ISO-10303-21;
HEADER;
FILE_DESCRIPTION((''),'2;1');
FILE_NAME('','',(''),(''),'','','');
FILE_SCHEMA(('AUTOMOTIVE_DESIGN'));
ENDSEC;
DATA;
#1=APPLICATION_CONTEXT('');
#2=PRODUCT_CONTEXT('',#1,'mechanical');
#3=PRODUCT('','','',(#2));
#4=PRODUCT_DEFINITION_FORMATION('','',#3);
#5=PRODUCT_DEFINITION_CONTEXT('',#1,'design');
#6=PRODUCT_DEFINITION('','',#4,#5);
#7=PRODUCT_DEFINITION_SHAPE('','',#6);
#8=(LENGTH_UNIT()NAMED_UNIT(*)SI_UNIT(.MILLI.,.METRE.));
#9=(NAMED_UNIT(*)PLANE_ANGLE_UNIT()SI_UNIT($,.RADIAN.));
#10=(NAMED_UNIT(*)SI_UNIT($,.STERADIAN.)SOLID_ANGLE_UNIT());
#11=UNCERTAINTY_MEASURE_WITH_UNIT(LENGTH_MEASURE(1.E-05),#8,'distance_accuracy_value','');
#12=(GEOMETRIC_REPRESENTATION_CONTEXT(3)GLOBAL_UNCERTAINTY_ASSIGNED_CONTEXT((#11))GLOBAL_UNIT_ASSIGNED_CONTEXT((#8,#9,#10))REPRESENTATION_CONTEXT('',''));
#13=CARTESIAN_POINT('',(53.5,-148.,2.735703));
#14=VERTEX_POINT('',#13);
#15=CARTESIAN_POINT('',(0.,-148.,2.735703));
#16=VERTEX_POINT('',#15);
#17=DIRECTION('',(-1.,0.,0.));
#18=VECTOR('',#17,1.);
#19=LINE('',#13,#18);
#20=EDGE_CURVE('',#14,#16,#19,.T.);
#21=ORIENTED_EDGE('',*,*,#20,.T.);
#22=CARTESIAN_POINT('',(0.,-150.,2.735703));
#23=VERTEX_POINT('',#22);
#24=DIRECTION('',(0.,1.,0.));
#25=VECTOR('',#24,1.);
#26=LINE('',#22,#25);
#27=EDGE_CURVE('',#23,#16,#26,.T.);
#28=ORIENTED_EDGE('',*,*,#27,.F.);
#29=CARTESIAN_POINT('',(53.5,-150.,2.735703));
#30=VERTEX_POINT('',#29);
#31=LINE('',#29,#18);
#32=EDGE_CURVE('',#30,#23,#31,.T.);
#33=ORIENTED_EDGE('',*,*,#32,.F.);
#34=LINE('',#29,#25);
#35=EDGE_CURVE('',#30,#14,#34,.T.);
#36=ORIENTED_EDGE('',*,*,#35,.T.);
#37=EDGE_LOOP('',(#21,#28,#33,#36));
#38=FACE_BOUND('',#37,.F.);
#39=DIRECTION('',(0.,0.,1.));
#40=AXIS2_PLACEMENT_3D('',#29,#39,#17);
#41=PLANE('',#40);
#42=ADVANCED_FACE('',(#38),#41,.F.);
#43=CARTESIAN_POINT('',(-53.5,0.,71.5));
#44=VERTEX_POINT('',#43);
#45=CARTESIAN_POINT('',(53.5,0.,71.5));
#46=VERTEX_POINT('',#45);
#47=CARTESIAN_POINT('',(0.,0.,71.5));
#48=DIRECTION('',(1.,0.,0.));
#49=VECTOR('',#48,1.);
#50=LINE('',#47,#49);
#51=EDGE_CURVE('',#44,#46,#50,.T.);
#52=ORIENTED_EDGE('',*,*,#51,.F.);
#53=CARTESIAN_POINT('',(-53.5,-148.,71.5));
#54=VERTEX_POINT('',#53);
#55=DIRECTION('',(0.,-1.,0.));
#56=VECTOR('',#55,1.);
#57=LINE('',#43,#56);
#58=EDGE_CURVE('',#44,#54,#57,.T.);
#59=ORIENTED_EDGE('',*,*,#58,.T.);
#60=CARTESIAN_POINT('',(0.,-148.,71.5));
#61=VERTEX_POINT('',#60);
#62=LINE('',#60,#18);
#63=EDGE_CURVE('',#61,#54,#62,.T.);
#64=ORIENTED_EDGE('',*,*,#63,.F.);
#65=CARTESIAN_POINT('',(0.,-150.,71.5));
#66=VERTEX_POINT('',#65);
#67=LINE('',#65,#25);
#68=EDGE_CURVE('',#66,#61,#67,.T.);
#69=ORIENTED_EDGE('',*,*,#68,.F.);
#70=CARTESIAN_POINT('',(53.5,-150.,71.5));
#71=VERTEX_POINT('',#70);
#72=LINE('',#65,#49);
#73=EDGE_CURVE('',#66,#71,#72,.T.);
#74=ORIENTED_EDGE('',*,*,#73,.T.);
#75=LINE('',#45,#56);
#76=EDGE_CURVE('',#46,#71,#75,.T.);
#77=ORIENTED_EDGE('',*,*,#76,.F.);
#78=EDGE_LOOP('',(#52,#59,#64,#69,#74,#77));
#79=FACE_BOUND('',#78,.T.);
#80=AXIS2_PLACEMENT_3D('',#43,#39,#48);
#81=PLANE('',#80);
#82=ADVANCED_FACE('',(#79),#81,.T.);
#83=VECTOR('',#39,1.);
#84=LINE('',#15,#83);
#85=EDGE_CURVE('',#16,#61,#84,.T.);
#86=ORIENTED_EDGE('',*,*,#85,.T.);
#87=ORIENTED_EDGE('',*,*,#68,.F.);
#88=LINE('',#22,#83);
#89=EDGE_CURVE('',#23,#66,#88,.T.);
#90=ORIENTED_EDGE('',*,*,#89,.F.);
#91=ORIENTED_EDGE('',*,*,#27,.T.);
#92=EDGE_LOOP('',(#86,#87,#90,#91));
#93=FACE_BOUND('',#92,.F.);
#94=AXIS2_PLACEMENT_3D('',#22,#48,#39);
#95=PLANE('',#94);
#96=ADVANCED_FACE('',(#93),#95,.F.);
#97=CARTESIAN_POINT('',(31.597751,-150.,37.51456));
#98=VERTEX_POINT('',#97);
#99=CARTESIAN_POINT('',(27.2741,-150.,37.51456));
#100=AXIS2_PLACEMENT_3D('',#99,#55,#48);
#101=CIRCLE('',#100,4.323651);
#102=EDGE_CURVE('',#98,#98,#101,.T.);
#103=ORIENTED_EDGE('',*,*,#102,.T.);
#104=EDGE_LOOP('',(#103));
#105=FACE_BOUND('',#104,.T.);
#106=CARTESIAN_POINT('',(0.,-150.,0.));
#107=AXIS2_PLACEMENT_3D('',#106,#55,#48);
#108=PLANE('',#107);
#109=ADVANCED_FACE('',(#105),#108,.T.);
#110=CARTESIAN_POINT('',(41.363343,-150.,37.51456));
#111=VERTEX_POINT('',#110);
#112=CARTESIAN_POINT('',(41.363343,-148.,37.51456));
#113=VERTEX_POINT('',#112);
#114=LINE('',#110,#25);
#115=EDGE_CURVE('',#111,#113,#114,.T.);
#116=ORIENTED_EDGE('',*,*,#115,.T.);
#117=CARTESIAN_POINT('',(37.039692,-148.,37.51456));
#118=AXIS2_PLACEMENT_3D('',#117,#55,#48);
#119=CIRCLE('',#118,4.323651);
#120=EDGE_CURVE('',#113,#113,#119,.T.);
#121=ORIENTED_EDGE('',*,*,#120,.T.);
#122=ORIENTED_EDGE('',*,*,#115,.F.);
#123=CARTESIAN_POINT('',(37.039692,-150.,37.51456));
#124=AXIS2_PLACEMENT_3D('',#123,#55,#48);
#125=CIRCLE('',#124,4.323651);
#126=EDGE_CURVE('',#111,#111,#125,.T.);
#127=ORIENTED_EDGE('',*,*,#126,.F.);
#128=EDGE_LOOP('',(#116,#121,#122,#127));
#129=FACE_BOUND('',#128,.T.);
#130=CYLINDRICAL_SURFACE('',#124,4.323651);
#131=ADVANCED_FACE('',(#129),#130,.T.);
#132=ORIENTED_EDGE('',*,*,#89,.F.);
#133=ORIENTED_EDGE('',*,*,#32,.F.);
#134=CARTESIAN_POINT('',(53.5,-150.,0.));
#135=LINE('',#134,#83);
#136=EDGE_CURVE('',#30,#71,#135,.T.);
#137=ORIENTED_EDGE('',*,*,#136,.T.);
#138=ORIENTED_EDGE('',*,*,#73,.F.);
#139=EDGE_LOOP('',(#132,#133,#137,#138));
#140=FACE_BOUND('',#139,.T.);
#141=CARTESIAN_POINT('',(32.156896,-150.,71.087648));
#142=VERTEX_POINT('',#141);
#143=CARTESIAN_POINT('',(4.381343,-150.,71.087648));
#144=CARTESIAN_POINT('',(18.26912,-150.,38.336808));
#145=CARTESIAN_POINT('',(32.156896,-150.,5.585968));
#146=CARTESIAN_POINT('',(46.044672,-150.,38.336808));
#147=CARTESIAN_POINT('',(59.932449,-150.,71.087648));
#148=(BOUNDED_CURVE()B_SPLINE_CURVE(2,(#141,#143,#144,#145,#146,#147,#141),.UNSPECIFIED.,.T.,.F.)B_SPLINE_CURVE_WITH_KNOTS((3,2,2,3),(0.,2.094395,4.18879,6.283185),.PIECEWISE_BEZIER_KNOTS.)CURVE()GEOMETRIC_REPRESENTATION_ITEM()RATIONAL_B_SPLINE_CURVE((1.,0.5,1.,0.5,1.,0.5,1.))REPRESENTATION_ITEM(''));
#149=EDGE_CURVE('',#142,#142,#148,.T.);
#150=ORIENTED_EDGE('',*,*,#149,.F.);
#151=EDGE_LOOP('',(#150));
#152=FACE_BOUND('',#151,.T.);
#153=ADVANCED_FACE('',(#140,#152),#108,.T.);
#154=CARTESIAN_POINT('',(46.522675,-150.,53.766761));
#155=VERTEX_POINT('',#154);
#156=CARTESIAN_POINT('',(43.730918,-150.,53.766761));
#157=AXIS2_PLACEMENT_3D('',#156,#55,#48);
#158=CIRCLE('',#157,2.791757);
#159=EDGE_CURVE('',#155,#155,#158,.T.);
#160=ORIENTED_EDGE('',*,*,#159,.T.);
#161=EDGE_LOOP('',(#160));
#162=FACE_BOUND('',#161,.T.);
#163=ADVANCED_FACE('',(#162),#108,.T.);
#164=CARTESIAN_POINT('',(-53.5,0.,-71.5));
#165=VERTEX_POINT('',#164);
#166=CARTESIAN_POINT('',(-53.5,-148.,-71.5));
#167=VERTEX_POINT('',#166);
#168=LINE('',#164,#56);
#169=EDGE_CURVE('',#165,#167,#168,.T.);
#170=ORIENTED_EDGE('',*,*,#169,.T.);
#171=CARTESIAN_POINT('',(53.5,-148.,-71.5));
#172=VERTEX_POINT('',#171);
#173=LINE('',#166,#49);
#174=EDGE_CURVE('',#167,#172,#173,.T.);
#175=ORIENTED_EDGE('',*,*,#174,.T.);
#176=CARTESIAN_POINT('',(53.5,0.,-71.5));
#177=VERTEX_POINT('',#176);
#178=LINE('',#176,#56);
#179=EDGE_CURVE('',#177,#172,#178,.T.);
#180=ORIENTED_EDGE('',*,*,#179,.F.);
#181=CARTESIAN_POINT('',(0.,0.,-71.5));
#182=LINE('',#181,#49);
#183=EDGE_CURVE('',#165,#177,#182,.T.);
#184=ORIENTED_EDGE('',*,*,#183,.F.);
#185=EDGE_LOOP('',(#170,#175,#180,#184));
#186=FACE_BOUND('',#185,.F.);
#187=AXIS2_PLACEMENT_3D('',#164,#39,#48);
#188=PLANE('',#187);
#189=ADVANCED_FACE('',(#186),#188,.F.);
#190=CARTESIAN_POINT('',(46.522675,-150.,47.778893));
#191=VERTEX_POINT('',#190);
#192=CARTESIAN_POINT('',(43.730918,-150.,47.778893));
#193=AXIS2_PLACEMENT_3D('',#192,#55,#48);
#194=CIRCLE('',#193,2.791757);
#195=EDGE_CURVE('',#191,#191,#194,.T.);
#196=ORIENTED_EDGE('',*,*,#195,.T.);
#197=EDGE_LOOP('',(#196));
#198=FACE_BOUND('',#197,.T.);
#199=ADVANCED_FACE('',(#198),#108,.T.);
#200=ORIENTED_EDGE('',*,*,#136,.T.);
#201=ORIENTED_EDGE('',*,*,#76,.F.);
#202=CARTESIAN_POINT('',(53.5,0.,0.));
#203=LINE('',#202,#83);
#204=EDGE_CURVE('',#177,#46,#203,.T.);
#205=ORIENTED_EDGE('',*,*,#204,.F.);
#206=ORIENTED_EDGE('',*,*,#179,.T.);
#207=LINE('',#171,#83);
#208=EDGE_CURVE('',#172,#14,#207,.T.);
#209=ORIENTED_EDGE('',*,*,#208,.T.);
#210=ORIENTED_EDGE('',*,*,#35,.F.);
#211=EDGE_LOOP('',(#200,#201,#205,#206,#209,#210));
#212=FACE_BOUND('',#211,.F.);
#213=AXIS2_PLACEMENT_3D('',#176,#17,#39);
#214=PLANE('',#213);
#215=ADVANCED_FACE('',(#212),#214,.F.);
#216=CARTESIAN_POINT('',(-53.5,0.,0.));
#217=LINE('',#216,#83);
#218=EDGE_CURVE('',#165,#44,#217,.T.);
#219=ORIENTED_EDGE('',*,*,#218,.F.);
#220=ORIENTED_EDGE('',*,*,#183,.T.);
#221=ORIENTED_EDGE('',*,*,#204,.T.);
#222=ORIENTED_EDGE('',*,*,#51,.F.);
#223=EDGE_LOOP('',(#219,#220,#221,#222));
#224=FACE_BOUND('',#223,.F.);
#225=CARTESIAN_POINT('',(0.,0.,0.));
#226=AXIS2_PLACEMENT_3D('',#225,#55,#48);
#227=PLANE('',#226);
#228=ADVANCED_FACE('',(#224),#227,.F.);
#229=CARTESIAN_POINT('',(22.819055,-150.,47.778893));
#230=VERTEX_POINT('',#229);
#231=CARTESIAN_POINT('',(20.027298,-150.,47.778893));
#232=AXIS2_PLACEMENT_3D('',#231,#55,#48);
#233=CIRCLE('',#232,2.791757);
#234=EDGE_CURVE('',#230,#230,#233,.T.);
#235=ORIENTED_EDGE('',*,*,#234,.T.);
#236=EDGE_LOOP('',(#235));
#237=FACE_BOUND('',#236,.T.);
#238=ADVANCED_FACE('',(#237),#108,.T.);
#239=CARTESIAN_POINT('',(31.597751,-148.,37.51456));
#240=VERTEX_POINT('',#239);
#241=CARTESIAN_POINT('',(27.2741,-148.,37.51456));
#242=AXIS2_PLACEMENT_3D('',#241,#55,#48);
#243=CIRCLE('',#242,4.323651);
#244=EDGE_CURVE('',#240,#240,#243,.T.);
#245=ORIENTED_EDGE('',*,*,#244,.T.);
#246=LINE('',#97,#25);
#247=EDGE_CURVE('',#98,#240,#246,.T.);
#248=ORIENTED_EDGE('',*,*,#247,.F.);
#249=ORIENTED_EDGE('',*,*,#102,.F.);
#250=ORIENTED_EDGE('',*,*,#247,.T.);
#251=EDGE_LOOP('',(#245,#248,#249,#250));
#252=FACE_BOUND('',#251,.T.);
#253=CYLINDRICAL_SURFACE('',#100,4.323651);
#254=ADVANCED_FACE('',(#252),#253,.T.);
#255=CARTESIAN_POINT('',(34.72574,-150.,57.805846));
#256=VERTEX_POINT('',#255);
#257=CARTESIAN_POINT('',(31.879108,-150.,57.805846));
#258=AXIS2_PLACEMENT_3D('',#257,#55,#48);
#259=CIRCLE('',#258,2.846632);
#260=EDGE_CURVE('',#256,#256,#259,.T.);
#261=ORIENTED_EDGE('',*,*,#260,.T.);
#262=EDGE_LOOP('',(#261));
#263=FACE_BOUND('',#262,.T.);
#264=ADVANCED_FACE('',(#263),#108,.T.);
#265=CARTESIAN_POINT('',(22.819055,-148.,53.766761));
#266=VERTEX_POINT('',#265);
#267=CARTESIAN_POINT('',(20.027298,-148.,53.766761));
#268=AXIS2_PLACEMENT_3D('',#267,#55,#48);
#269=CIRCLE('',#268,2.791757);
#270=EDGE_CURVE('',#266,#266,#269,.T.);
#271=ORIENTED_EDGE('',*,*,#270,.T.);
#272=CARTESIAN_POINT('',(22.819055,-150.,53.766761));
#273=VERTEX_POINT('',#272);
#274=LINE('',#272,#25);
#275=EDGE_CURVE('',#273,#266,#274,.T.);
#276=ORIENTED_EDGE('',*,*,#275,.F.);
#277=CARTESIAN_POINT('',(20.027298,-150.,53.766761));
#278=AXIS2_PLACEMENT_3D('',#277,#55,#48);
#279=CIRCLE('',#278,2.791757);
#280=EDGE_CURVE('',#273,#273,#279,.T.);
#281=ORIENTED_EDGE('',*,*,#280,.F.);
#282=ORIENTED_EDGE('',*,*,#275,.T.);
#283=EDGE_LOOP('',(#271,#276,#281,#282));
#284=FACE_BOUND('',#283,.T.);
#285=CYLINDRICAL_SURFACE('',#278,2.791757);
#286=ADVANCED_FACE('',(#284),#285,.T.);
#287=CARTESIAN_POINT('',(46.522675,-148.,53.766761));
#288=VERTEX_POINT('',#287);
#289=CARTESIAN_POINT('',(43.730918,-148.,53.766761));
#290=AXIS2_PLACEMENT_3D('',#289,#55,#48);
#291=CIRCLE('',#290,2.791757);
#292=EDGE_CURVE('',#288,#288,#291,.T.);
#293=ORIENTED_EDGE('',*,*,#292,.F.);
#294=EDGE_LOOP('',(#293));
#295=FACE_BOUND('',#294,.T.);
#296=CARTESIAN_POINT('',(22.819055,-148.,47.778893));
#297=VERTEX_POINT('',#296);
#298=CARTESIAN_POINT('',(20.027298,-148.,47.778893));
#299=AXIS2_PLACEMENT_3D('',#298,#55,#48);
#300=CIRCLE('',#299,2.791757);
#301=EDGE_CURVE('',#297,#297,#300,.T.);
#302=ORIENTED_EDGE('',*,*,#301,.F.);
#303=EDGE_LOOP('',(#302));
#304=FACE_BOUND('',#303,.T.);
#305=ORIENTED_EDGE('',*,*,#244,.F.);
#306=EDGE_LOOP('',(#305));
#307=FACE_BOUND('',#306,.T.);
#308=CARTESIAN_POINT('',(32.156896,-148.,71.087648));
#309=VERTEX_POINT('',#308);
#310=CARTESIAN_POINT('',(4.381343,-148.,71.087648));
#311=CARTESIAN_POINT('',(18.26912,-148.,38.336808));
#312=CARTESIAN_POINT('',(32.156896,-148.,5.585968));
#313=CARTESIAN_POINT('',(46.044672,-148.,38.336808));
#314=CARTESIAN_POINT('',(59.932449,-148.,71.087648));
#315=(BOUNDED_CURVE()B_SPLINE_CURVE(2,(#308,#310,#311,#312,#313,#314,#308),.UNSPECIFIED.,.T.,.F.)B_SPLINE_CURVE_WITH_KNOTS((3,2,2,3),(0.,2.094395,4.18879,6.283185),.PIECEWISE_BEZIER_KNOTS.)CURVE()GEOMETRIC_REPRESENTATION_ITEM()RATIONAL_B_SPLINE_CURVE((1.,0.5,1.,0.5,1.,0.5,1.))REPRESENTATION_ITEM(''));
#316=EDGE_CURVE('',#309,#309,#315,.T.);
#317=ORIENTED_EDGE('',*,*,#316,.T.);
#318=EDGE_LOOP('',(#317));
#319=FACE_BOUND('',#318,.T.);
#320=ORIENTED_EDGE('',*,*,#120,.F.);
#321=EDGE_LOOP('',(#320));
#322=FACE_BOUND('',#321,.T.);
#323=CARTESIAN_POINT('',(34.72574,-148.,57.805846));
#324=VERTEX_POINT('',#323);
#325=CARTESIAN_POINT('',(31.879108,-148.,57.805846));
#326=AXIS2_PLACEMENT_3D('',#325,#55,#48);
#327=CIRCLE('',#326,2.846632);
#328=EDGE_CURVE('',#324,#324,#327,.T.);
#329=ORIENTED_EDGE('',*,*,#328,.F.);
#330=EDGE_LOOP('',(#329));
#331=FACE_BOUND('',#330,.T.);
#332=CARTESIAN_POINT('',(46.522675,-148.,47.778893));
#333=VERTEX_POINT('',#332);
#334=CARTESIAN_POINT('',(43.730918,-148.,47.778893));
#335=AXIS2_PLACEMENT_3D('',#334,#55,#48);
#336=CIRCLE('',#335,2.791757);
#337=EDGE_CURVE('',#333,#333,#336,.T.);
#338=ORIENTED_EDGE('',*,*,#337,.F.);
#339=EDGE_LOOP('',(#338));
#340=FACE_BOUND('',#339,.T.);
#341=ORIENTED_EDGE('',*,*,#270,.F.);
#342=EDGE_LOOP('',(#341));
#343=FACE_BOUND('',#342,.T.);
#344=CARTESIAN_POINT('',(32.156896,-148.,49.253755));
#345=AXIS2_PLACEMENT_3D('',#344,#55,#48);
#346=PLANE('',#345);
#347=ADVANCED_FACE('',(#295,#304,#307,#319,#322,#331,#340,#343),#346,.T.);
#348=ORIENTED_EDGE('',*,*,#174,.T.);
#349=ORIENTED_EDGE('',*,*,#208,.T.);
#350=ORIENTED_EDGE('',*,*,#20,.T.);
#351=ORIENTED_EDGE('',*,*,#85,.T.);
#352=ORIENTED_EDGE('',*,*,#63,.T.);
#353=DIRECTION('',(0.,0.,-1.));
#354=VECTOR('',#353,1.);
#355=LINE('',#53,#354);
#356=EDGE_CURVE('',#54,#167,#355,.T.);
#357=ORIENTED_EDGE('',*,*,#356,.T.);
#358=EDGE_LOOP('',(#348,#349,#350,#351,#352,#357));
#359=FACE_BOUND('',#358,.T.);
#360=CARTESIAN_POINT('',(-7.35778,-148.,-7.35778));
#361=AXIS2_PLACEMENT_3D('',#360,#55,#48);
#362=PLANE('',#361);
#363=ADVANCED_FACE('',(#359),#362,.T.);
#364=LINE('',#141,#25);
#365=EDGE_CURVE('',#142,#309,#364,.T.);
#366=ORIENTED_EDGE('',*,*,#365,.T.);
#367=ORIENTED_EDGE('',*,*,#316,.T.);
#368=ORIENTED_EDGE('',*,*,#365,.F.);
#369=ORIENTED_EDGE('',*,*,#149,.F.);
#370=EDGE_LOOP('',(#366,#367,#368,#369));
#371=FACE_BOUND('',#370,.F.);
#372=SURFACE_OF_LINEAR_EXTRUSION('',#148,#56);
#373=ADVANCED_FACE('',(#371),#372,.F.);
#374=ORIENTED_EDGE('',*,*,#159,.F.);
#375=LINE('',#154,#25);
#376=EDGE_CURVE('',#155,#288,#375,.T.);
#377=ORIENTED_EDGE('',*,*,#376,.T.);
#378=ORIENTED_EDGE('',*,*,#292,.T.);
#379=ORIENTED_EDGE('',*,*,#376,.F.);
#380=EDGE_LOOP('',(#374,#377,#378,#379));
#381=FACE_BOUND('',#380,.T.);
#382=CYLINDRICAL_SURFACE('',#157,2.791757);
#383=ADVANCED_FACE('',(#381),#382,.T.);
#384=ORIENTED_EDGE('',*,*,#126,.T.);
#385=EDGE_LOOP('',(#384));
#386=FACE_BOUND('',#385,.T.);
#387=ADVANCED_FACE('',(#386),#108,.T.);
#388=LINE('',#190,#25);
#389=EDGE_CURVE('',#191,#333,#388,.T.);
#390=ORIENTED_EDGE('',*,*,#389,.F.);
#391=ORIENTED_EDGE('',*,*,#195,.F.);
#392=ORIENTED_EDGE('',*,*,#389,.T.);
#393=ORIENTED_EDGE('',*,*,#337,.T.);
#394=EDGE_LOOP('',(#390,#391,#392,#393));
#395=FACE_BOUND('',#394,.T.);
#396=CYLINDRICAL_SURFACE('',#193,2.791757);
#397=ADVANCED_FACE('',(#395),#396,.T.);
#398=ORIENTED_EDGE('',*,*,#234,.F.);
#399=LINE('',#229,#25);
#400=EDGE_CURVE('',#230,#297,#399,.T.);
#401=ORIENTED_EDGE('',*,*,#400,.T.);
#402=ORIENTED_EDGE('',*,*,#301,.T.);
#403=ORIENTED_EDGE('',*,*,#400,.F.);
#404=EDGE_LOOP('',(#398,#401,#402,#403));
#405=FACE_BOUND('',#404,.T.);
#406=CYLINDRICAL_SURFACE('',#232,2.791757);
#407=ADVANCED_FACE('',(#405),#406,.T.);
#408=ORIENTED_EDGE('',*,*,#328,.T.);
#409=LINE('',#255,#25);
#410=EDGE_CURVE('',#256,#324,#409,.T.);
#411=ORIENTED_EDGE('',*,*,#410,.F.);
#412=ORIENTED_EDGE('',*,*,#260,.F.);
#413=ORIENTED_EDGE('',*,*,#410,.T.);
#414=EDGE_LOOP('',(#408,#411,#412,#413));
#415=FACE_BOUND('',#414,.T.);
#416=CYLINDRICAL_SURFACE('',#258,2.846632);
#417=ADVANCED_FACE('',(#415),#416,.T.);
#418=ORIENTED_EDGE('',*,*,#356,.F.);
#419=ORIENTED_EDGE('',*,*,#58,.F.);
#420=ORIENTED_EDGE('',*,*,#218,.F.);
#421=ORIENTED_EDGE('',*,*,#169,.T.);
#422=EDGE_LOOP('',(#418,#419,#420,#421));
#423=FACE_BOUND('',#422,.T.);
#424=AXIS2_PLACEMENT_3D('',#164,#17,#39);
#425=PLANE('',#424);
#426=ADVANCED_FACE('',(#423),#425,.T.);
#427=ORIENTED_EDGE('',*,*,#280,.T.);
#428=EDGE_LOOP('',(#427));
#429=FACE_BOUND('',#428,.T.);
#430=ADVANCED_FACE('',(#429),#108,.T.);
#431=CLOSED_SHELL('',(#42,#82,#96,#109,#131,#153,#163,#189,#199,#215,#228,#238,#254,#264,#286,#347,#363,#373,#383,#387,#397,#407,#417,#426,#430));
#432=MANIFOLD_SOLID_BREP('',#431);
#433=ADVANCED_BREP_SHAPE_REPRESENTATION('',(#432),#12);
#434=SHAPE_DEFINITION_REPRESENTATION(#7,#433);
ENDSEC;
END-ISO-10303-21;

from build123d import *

# Parameters (mm, degrees)
F0_W     = 107
F0_H     = 143
F1_DEPTH = 150
F2_R     = 4.323651
F2_R_2   = 2.791757
F2_R_3   = 2.846632
F3_DEPTH = 2


with BuildPart() as f1:
    # F0 (on Front) → F1 (new body)
    with BuildSketch(Plane.XZ):
        Rectangle(F0_W, F0_H)
    extrude(amount=F1_DEPTH)

    # F2 (on face) → F3 (cut)
    with BuildSketch(Plane.XZ.offset(150)):
        Polygon((0, 2.735703), (0, 71.5), (-53.5, 71.5), (-53.5, -71.5), (53.5, -71.5), (53.5, 2.735703), align=None)
        with BuildLine():
            add(Edge.make_bspline(
                [(32.156896, 71.087648), (4.381343, 71.087648), (18.26912, 38.336808), (32.156896, 5.585968), (46.044672, 38.336808), (59.932449, 71.087648), (32.156896, 71.087648)],
                knots=[0, 0, 0, 2.094395, 2.094395, 4.18879, 4.18879, 6.283185, 6.283185, 6.283185], degree=2, weights=[1, 0.5, 1, 0.5, 1, 0.5, 1]))
        make_face()
        with Locations((27.2741, 37.51456)):
            Circle(F2_R, mode=Mode.SUBTRACT)
        with Locations((37.039692, 37.51456)):
            Circle(F2_R, mode=Mode.SUBTRACT)
        with Locations((20.027298, 47.778893)):
            Circle(F2_R_2, mode=Mode.SUBTRACT)
        with Locations((20.027298, 53.766761)):
            Circle(F2_R_2, mode=Mode.SUBTRACT)
        with Locations((31.879108, 57.805846)):
            Circle(F2_R_3, mode=Mode.SUBTRACT)
        with Locations((43.730918, 47.778893)):
            Circle(F2_R_2, mode=Mode.SUBTRACT)
        with Locations((43.730918, 53.766761)):
            Circle(F2_R_2, mode=Mode.SUBTRACT)
    extrude(amount=-F3_DEPTH, mode=Mode.SUBTRACT)


solid = f1.part
